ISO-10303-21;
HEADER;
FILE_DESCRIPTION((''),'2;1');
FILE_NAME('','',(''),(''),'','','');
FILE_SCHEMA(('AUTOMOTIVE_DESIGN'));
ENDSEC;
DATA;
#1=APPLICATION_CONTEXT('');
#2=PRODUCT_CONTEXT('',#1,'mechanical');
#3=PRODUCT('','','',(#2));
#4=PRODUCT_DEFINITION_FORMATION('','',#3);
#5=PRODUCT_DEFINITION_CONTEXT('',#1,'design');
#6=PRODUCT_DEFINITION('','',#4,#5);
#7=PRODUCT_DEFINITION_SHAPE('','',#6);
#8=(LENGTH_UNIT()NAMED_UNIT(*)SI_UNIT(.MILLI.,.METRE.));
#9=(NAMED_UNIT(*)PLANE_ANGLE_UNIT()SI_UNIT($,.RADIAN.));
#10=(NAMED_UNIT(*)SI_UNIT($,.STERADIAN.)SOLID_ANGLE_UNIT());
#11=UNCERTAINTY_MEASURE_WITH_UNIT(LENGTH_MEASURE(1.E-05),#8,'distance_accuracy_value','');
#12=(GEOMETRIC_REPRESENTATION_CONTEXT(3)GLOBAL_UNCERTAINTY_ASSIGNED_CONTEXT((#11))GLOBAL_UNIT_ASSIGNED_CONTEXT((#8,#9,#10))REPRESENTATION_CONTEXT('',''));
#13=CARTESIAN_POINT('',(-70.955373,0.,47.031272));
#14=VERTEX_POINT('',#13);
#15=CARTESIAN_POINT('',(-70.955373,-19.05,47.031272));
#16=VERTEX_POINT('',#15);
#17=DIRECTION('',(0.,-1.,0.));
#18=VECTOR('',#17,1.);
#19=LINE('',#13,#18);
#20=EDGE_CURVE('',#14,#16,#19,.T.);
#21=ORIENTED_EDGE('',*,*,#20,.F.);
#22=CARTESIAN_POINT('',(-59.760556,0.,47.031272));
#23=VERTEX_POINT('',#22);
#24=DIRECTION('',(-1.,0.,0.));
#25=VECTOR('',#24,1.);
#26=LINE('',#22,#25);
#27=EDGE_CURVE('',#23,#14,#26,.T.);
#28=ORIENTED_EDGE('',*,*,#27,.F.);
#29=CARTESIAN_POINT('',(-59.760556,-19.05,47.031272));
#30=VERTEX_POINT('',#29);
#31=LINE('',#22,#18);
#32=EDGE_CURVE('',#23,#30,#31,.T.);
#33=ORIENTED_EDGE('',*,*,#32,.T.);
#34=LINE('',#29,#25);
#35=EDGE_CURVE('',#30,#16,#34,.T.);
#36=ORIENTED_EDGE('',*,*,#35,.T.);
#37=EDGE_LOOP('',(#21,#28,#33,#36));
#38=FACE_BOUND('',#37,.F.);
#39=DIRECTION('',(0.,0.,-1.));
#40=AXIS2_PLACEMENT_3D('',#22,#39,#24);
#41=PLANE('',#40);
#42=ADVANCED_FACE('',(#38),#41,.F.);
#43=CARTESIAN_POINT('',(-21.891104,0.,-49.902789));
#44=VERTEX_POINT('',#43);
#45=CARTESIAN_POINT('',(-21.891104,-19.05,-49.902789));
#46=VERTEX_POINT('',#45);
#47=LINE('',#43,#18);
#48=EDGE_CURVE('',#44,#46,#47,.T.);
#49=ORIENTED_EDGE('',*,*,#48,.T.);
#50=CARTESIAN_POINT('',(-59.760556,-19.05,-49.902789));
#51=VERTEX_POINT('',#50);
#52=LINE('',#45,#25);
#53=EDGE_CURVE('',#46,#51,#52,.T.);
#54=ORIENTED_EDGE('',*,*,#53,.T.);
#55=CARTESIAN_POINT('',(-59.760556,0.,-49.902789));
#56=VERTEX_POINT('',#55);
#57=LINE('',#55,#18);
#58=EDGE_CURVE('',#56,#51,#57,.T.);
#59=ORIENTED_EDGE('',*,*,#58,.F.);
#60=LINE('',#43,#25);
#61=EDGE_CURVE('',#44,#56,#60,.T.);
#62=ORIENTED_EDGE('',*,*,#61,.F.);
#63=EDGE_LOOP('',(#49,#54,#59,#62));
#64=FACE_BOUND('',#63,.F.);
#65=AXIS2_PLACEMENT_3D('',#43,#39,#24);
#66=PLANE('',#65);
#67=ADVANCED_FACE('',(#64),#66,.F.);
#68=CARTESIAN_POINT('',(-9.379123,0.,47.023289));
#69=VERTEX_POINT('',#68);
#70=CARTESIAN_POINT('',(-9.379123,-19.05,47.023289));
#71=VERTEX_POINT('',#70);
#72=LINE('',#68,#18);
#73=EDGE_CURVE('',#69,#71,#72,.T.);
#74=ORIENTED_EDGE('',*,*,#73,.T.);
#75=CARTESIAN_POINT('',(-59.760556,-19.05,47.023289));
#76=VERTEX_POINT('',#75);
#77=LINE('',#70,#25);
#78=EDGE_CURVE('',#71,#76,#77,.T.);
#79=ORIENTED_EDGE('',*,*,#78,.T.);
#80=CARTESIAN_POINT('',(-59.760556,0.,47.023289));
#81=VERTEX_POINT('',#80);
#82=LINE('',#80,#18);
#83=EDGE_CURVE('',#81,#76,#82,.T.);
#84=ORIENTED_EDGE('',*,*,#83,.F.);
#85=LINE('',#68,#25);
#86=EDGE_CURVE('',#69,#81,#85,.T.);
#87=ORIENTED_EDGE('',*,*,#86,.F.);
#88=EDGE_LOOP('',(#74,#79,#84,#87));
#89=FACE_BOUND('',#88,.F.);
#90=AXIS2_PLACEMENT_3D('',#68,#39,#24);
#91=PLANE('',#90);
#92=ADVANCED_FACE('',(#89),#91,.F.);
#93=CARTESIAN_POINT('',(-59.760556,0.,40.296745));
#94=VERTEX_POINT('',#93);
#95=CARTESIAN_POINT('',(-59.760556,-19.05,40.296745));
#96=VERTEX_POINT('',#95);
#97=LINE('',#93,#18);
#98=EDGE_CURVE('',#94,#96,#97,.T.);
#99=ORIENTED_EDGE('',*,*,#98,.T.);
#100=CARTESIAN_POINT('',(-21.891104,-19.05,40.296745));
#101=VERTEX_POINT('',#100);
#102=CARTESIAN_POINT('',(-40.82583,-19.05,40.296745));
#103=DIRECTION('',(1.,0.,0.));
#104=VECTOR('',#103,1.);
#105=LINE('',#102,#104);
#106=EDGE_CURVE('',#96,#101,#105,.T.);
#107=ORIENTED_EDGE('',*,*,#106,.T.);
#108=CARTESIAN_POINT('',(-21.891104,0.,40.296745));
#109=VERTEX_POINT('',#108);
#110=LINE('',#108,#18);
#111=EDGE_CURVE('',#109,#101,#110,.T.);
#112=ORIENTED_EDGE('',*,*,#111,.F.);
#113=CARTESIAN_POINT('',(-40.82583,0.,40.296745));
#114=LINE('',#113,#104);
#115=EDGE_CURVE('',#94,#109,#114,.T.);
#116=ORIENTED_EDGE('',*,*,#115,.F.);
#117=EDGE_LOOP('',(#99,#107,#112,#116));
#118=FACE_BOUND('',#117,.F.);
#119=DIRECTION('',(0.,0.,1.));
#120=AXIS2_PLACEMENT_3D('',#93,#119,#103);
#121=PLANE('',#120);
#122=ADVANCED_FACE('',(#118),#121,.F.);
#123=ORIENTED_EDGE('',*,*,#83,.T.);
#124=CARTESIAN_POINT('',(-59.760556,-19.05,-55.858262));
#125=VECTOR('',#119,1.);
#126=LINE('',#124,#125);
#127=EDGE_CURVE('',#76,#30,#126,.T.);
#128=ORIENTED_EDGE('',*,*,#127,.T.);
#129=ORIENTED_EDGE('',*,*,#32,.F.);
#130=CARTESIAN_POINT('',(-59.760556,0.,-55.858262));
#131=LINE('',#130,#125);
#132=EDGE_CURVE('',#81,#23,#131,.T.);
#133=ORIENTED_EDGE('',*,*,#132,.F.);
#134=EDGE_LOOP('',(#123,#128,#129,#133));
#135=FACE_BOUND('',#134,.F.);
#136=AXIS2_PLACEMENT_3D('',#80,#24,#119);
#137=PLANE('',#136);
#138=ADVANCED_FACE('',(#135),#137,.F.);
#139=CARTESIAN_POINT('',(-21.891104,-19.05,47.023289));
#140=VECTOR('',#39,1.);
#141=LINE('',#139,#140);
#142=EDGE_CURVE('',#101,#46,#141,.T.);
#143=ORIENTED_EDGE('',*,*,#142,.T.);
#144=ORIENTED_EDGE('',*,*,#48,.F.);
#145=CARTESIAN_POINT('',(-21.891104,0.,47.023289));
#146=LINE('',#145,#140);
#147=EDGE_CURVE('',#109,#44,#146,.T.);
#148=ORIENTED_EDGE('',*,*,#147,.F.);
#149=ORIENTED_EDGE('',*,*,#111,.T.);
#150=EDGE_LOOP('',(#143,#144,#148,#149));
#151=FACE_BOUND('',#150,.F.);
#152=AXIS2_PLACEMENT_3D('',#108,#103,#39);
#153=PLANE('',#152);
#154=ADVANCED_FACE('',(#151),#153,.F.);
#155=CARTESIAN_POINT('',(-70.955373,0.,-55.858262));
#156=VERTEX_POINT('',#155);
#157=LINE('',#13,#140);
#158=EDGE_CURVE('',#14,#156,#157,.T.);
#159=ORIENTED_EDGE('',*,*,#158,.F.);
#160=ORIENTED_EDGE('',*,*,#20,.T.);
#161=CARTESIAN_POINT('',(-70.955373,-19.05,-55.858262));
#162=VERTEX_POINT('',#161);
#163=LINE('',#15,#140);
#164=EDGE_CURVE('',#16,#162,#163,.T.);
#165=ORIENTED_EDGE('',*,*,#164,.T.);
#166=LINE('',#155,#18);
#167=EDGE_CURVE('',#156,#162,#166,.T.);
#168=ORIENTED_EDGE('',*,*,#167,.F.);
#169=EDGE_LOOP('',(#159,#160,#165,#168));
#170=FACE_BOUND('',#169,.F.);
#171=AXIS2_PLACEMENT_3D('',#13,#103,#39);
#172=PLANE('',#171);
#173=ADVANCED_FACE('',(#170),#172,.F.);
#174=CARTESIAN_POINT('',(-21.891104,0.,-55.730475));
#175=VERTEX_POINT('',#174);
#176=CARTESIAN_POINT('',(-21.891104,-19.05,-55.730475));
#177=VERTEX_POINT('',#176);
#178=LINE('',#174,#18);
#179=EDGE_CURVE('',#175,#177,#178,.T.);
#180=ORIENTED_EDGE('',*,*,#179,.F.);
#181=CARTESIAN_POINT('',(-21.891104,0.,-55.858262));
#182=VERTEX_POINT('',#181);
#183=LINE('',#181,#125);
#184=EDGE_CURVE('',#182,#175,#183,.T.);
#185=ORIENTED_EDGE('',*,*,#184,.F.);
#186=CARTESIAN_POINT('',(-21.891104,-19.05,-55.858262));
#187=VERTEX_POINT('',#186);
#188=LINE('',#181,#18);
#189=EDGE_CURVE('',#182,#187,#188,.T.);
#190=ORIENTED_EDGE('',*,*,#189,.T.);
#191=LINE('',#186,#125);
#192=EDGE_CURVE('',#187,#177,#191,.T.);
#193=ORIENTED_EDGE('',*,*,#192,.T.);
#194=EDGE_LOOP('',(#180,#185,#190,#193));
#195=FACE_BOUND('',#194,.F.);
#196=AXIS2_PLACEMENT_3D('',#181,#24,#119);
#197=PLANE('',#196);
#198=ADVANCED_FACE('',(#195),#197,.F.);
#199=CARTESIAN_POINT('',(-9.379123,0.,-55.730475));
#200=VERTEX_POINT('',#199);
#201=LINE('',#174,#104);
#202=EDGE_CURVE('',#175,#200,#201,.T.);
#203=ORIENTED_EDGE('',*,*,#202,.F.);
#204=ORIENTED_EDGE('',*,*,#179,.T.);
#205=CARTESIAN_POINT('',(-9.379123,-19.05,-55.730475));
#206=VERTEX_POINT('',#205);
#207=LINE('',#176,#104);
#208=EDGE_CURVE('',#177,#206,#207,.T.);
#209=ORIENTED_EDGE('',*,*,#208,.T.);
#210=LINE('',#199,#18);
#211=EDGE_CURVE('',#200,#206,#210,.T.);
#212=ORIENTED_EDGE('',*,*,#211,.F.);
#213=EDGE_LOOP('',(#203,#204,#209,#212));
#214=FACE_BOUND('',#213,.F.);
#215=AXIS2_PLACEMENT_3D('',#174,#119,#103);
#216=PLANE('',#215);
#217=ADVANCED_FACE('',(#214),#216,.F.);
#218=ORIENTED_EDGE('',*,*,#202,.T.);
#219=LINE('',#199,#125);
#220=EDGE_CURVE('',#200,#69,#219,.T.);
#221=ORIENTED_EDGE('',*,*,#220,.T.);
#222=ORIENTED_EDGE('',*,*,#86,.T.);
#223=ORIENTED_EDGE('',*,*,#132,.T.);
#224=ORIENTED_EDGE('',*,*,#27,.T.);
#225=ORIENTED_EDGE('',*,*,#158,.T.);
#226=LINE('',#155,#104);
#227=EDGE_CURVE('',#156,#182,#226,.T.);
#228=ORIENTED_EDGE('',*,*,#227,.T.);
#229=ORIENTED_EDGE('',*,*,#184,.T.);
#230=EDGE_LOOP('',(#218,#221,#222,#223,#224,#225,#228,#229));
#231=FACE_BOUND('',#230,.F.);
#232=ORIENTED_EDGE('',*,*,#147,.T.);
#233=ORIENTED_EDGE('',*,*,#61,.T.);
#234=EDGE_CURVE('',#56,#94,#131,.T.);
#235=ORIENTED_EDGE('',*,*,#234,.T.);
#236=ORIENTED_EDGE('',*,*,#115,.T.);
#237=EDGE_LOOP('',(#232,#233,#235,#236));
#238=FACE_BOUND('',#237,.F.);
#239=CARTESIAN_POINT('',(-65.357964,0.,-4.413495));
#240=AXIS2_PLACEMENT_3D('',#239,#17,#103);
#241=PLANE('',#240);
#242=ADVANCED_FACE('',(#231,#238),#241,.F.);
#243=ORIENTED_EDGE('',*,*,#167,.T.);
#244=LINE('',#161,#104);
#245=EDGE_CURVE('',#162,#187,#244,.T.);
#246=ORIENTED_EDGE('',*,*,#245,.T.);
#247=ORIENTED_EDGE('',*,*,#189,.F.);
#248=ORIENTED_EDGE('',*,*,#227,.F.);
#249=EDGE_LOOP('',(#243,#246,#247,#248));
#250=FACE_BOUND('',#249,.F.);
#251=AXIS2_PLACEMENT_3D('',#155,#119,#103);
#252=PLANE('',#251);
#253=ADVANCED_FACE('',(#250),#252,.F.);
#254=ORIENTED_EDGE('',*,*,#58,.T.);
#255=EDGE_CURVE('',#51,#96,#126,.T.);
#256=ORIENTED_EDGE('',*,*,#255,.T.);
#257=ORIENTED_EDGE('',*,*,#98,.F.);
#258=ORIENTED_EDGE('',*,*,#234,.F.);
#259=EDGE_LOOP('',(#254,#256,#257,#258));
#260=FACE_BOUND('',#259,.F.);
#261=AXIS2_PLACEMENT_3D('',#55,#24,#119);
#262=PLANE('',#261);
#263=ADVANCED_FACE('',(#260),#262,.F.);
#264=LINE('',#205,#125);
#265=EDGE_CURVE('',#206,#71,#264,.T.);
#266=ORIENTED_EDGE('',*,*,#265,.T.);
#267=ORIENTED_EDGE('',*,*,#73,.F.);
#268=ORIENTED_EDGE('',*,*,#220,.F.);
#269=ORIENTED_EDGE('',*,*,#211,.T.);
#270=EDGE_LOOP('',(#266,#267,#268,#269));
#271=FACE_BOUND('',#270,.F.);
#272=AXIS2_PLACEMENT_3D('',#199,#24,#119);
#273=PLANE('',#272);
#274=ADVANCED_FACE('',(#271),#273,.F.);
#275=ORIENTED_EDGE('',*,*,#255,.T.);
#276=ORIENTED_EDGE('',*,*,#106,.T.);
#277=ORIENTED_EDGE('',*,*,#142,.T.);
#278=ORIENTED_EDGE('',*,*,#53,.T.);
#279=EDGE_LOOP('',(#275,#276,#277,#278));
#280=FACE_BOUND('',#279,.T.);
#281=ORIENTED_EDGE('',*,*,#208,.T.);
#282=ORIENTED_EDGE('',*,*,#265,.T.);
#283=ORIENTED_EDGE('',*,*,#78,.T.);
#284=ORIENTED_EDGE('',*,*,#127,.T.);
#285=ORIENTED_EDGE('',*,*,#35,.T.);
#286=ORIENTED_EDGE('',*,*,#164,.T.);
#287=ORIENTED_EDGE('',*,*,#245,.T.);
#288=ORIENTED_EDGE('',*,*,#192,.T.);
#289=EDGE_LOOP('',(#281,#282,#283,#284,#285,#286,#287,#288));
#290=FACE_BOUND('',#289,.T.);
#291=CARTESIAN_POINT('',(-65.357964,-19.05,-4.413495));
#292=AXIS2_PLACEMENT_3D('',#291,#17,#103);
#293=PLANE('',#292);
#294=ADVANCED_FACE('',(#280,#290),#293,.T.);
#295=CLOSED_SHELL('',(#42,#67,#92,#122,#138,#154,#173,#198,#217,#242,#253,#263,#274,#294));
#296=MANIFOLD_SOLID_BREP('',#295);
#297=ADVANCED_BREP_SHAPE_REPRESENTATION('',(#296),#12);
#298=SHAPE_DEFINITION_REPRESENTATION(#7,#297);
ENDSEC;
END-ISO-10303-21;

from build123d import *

# Parameters (mm, degrees)
F0_W     = 37.869452
F0_H     = 6.726544
F1_DEPTH = 19.05


with BuildPart() as f1:
    # F0 (on Front) → F1 (new body)
    with BuildSketch(Plane.XZ):
        Polygon((-59.760556, 47.031272), (-70.955373, 47.031272), (-70.955373, -55.858262), (-59.760556, -55.858262), (-59.760556, -49.902789), (-59.760556, 40.296745), (-59.760556, 47.023289), align=None)
        Polygon((-9.379123, 47.023289), (-21.891104, 47.023289), (-21.891104, 40.296745), (-21.891104, -49.902789), (-21.891104, -55.730475), (-9.379123, -55.730475), align=None)
        Polygon((-59.760556, -49.902789), (-59.760556, -55.858262), (-21.891104, -55.858262), (-21.891104, -55.730475), (-21.891104, -49.902789), align=None)
        with Locations((-40.82583, 43.660017)):
            Rectangle(F0_W, F0_H)
    extrude(amount=F1_DEPTH)


solid = f1.part
